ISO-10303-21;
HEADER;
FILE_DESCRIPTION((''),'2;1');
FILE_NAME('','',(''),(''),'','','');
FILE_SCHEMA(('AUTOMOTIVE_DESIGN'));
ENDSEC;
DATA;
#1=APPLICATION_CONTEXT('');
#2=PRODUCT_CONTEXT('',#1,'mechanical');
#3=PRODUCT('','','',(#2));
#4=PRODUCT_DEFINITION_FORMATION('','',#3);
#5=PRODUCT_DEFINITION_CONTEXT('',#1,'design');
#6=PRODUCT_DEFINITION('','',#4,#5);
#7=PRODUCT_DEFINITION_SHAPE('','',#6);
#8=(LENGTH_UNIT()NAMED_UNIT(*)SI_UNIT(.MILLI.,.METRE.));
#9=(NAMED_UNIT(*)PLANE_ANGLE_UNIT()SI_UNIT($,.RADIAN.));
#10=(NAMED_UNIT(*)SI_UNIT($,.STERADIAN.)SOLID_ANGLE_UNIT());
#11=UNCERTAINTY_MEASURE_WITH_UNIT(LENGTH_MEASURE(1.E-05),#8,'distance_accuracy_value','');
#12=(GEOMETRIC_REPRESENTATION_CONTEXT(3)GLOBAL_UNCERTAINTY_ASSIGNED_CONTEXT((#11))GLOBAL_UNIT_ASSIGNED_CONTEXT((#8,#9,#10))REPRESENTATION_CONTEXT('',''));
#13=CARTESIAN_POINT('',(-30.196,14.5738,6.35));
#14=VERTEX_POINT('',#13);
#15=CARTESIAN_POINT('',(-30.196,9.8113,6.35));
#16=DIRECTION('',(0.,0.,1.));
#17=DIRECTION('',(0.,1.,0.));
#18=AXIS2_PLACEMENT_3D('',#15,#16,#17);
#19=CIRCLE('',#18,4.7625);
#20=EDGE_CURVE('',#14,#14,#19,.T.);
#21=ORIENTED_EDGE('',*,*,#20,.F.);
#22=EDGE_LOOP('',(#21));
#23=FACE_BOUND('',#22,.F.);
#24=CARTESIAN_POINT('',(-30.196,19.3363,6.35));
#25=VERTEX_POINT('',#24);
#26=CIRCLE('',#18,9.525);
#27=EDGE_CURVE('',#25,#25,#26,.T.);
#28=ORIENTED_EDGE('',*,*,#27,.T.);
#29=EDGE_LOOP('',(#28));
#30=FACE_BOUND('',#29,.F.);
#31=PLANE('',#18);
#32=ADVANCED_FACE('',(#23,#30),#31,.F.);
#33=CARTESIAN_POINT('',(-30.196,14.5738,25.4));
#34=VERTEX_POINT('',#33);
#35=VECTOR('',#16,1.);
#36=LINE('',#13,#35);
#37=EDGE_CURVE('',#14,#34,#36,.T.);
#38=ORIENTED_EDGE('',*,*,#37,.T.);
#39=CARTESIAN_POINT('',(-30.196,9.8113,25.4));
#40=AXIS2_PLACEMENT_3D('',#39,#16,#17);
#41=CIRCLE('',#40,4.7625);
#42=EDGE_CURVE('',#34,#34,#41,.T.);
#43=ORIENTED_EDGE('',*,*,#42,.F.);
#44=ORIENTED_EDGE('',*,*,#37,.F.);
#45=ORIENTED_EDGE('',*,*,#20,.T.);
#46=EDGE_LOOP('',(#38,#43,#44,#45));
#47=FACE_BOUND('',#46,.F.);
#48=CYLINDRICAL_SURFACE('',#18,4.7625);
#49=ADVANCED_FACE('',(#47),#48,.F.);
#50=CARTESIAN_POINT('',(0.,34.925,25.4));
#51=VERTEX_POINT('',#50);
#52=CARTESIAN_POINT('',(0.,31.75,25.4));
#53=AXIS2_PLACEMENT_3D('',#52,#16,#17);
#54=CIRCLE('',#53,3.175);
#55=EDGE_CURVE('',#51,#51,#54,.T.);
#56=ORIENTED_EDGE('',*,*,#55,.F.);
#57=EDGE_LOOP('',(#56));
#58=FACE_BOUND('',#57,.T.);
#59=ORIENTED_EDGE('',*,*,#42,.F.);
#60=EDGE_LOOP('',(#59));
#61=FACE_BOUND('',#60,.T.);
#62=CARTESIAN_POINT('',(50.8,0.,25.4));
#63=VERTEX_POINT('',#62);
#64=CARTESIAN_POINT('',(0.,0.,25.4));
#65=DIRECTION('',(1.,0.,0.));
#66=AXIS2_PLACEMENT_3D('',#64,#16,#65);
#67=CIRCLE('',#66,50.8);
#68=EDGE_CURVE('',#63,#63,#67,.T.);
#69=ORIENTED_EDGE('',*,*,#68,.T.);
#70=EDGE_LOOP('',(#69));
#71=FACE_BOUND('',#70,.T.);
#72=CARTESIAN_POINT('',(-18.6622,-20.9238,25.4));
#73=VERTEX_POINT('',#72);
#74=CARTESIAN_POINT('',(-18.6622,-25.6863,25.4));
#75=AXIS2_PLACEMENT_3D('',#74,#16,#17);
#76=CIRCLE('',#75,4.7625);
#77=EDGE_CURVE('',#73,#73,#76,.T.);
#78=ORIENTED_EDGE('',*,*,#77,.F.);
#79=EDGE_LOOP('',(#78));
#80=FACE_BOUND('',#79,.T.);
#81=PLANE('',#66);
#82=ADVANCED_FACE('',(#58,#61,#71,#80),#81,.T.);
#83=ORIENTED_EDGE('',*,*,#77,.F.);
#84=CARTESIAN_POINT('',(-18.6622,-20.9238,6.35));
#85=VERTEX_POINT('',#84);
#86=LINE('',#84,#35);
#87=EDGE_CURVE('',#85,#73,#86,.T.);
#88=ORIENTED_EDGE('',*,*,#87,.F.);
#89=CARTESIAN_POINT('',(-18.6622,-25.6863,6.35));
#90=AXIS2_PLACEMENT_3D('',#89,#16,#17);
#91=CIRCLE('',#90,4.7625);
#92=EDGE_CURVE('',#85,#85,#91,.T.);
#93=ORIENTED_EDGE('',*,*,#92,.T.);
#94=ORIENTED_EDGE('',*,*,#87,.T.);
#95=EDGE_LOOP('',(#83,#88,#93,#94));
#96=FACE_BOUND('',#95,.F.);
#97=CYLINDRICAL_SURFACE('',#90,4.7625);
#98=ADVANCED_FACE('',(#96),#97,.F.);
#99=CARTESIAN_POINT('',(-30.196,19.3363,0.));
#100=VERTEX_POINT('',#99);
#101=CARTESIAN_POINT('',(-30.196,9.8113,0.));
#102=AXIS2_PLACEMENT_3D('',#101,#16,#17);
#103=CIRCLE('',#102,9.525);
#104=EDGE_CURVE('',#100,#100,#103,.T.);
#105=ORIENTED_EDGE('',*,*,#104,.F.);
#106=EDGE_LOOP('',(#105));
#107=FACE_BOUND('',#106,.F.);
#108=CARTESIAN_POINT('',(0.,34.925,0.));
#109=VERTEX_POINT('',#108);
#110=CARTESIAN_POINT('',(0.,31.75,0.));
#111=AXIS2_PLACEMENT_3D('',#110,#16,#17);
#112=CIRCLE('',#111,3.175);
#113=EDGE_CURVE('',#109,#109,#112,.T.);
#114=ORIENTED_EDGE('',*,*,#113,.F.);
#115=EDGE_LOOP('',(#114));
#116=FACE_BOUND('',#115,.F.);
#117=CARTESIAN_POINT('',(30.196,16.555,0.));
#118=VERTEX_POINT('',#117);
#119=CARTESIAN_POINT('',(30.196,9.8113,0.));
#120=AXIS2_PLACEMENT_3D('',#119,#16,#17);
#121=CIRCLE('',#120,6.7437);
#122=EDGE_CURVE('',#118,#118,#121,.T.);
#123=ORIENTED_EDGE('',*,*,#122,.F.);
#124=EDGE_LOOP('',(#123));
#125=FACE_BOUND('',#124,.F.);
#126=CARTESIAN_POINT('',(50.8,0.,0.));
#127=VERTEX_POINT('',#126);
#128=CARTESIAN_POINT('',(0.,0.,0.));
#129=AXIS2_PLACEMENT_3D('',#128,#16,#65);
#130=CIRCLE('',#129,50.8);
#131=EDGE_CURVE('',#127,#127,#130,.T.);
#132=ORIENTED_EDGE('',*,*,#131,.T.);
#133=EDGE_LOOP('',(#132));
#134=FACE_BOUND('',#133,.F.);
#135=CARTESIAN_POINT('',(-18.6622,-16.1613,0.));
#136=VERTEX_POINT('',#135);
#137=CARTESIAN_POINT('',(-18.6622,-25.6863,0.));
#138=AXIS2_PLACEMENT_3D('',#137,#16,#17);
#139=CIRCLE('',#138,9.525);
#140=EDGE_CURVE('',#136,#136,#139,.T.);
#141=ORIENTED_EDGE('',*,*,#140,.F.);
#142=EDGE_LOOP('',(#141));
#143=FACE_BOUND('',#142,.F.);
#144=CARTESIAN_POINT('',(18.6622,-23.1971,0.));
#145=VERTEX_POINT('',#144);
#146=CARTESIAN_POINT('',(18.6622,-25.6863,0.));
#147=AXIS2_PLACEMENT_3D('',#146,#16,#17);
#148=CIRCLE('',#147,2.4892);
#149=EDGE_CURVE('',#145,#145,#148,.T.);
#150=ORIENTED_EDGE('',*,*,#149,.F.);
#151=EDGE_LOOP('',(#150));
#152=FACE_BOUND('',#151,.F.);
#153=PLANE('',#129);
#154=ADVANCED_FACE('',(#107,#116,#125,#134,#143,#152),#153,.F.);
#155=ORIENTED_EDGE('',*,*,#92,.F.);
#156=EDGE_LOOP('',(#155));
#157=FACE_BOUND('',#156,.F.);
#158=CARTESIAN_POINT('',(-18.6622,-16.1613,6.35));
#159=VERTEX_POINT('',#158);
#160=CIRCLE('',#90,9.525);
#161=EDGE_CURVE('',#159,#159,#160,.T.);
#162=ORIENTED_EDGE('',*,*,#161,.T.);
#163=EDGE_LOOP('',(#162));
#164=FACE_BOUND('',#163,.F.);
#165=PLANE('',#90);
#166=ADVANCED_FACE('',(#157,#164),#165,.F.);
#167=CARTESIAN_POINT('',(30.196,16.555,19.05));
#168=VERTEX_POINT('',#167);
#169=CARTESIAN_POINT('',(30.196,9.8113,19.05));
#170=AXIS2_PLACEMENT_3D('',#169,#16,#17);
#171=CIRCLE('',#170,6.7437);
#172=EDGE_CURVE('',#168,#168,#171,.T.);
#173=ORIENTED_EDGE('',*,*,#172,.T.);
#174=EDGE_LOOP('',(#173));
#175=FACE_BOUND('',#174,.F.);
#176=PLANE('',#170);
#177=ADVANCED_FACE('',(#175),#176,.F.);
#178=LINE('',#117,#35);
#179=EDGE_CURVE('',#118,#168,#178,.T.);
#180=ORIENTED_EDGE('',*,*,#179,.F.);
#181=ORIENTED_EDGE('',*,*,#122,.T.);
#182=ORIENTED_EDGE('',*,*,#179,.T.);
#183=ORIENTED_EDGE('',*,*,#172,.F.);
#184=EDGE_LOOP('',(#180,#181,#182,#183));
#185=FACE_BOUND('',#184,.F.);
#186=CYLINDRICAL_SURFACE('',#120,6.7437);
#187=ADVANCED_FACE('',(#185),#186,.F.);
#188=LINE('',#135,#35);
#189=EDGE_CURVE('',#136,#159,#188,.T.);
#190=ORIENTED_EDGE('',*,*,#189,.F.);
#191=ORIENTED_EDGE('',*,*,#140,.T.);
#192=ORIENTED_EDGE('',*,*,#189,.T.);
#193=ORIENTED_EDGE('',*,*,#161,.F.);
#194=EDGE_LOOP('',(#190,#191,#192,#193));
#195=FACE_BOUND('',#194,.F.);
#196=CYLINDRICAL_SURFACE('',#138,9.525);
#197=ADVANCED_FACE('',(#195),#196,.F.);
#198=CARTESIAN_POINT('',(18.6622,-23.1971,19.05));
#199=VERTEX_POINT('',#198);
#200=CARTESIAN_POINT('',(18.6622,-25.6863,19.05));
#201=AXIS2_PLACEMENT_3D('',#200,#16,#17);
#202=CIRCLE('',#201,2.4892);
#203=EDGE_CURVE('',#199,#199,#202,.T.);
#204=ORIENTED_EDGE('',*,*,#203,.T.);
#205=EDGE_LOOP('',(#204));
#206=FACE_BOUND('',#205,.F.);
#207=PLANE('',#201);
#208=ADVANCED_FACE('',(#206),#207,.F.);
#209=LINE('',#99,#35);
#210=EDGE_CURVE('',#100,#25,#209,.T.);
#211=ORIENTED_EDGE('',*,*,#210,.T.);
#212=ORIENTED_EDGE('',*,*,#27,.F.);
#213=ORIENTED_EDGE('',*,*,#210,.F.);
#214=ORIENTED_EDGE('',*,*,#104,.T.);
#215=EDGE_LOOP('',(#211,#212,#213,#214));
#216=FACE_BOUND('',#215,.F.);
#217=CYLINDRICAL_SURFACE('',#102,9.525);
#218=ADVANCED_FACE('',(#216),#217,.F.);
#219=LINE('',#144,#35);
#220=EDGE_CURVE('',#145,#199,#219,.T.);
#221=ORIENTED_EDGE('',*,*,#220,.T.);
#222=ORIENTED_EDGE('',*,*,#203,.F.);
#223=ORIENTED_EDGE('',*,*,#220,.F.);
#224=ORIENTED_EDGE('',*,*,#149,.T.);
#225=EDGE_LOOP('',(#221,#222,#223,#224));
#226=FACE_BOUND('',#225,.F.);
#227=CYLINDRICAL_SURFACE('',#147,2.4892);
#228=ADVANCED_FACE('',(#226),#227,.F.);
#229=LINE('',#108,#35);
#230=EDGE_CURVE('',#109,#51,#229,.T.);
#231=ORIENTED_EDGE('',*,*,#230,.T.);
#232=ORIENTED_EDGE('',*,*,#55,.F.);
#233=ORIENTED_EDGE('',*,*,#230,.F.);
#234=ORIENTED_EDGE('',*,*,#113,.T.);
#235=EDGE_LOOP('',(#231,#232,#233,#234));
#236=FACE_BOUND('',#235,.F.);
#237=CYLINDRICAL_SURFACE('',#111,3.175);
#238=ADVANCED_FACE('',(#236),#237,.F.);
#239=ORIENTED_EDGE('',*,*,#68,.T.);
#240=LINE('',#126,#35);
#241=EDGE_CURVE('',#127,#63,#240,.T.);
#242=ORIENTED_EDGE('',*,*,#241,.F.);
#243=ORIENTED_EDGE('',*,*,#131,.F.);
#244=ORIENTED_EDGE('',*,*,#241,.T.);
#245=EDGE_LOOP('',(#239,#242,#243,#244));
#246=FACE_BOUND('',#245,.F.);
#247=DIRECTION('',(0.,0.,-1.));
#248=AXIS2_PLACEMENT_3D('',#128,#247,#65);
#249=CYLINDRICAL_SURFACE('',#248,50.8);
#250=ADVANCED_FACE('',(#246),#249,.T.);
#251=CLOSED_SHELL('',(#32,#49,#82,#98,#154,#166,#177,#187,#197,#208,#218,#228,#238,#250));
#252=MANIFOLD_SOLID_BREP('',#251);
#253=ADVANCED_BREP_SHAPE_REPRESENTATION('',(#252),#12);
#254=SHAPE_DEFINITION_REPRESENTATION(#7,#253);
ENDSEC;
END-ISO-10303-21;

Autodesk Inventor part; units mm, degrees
ref_plane "YZ Plane" through (0, 0, 0) normal (1, 0, 0) x (0, 1, 0)
ref_plane "XZ Plane" through (0, 0, 0) normal (0, 1, 0) x (-1, 0, 0)
ref_plane "XY Plane" through (0, 0, 0) normal (0, 0, 1) x (1, 0, 0)
sketch "Sketch1" plane through (0, 0, 0) normal (0, 0, 1) x (1, 0, 0)
  circle A0 centre (0, 0) radius 50.8
  circle A1 centre (0, 0) radius 31.75
  dimension "d0" = 101.6
  dimension "d1" = 63.5
extrude "Extrusion2" add sketch "Sketch1" along normal blind 25.4 contours A0 | A1
sketch "Sketch4" plane through (0, 0, 0) normal (0, 0, -1) x (-1, 0, 0)
  point P0 (0, 0)
  point P1 (0, 31.75)
  point P2 (-30.196, 9.8113)
  point P3 (0, 0)
  point P4 (-18.6622, -25.6863)
  point P5 (0, 0)
  point P6 (18.6622, -25.6863)
  point P7 (0, 0)
  point P8 (30.196, 9.8113)
  point P9 (0, 0)
  dimension "d12" = 31.75
  dimension "d15" = 360
hole "Hole1" at (0, 31.75, 0) direction (0, 0, 1) diameter 6.35 end through all
hole "Hole2" at (-30.196, 9.8113, 0) at (-18.6622, -25.6863, 0) direction (0, 0, 1) diameter 9.525 end through all counterbore diameter 19.05 counterbore depth 6.35
hole "Hole3" at (18.6622, -25.6863, 0) direction (0, 0, 1) diameter 4.9784 depth 19.05 thread size "1/4-20 UNC" class "1B" standard "ANSI Unified Screw Threads"
hole "Hole4" at (30.196, 9.8113, 0) direction (0, 0, 1) diameter 13.4874 depth 19.05 clearance for "Hex Head Bolt" size "1/2" standard "Ansi Unified Screw Threads"
equation "\"d22\" = d12"
equation "\"d29\" = d12"
properties part number "ArthurW5.5aHoles"
